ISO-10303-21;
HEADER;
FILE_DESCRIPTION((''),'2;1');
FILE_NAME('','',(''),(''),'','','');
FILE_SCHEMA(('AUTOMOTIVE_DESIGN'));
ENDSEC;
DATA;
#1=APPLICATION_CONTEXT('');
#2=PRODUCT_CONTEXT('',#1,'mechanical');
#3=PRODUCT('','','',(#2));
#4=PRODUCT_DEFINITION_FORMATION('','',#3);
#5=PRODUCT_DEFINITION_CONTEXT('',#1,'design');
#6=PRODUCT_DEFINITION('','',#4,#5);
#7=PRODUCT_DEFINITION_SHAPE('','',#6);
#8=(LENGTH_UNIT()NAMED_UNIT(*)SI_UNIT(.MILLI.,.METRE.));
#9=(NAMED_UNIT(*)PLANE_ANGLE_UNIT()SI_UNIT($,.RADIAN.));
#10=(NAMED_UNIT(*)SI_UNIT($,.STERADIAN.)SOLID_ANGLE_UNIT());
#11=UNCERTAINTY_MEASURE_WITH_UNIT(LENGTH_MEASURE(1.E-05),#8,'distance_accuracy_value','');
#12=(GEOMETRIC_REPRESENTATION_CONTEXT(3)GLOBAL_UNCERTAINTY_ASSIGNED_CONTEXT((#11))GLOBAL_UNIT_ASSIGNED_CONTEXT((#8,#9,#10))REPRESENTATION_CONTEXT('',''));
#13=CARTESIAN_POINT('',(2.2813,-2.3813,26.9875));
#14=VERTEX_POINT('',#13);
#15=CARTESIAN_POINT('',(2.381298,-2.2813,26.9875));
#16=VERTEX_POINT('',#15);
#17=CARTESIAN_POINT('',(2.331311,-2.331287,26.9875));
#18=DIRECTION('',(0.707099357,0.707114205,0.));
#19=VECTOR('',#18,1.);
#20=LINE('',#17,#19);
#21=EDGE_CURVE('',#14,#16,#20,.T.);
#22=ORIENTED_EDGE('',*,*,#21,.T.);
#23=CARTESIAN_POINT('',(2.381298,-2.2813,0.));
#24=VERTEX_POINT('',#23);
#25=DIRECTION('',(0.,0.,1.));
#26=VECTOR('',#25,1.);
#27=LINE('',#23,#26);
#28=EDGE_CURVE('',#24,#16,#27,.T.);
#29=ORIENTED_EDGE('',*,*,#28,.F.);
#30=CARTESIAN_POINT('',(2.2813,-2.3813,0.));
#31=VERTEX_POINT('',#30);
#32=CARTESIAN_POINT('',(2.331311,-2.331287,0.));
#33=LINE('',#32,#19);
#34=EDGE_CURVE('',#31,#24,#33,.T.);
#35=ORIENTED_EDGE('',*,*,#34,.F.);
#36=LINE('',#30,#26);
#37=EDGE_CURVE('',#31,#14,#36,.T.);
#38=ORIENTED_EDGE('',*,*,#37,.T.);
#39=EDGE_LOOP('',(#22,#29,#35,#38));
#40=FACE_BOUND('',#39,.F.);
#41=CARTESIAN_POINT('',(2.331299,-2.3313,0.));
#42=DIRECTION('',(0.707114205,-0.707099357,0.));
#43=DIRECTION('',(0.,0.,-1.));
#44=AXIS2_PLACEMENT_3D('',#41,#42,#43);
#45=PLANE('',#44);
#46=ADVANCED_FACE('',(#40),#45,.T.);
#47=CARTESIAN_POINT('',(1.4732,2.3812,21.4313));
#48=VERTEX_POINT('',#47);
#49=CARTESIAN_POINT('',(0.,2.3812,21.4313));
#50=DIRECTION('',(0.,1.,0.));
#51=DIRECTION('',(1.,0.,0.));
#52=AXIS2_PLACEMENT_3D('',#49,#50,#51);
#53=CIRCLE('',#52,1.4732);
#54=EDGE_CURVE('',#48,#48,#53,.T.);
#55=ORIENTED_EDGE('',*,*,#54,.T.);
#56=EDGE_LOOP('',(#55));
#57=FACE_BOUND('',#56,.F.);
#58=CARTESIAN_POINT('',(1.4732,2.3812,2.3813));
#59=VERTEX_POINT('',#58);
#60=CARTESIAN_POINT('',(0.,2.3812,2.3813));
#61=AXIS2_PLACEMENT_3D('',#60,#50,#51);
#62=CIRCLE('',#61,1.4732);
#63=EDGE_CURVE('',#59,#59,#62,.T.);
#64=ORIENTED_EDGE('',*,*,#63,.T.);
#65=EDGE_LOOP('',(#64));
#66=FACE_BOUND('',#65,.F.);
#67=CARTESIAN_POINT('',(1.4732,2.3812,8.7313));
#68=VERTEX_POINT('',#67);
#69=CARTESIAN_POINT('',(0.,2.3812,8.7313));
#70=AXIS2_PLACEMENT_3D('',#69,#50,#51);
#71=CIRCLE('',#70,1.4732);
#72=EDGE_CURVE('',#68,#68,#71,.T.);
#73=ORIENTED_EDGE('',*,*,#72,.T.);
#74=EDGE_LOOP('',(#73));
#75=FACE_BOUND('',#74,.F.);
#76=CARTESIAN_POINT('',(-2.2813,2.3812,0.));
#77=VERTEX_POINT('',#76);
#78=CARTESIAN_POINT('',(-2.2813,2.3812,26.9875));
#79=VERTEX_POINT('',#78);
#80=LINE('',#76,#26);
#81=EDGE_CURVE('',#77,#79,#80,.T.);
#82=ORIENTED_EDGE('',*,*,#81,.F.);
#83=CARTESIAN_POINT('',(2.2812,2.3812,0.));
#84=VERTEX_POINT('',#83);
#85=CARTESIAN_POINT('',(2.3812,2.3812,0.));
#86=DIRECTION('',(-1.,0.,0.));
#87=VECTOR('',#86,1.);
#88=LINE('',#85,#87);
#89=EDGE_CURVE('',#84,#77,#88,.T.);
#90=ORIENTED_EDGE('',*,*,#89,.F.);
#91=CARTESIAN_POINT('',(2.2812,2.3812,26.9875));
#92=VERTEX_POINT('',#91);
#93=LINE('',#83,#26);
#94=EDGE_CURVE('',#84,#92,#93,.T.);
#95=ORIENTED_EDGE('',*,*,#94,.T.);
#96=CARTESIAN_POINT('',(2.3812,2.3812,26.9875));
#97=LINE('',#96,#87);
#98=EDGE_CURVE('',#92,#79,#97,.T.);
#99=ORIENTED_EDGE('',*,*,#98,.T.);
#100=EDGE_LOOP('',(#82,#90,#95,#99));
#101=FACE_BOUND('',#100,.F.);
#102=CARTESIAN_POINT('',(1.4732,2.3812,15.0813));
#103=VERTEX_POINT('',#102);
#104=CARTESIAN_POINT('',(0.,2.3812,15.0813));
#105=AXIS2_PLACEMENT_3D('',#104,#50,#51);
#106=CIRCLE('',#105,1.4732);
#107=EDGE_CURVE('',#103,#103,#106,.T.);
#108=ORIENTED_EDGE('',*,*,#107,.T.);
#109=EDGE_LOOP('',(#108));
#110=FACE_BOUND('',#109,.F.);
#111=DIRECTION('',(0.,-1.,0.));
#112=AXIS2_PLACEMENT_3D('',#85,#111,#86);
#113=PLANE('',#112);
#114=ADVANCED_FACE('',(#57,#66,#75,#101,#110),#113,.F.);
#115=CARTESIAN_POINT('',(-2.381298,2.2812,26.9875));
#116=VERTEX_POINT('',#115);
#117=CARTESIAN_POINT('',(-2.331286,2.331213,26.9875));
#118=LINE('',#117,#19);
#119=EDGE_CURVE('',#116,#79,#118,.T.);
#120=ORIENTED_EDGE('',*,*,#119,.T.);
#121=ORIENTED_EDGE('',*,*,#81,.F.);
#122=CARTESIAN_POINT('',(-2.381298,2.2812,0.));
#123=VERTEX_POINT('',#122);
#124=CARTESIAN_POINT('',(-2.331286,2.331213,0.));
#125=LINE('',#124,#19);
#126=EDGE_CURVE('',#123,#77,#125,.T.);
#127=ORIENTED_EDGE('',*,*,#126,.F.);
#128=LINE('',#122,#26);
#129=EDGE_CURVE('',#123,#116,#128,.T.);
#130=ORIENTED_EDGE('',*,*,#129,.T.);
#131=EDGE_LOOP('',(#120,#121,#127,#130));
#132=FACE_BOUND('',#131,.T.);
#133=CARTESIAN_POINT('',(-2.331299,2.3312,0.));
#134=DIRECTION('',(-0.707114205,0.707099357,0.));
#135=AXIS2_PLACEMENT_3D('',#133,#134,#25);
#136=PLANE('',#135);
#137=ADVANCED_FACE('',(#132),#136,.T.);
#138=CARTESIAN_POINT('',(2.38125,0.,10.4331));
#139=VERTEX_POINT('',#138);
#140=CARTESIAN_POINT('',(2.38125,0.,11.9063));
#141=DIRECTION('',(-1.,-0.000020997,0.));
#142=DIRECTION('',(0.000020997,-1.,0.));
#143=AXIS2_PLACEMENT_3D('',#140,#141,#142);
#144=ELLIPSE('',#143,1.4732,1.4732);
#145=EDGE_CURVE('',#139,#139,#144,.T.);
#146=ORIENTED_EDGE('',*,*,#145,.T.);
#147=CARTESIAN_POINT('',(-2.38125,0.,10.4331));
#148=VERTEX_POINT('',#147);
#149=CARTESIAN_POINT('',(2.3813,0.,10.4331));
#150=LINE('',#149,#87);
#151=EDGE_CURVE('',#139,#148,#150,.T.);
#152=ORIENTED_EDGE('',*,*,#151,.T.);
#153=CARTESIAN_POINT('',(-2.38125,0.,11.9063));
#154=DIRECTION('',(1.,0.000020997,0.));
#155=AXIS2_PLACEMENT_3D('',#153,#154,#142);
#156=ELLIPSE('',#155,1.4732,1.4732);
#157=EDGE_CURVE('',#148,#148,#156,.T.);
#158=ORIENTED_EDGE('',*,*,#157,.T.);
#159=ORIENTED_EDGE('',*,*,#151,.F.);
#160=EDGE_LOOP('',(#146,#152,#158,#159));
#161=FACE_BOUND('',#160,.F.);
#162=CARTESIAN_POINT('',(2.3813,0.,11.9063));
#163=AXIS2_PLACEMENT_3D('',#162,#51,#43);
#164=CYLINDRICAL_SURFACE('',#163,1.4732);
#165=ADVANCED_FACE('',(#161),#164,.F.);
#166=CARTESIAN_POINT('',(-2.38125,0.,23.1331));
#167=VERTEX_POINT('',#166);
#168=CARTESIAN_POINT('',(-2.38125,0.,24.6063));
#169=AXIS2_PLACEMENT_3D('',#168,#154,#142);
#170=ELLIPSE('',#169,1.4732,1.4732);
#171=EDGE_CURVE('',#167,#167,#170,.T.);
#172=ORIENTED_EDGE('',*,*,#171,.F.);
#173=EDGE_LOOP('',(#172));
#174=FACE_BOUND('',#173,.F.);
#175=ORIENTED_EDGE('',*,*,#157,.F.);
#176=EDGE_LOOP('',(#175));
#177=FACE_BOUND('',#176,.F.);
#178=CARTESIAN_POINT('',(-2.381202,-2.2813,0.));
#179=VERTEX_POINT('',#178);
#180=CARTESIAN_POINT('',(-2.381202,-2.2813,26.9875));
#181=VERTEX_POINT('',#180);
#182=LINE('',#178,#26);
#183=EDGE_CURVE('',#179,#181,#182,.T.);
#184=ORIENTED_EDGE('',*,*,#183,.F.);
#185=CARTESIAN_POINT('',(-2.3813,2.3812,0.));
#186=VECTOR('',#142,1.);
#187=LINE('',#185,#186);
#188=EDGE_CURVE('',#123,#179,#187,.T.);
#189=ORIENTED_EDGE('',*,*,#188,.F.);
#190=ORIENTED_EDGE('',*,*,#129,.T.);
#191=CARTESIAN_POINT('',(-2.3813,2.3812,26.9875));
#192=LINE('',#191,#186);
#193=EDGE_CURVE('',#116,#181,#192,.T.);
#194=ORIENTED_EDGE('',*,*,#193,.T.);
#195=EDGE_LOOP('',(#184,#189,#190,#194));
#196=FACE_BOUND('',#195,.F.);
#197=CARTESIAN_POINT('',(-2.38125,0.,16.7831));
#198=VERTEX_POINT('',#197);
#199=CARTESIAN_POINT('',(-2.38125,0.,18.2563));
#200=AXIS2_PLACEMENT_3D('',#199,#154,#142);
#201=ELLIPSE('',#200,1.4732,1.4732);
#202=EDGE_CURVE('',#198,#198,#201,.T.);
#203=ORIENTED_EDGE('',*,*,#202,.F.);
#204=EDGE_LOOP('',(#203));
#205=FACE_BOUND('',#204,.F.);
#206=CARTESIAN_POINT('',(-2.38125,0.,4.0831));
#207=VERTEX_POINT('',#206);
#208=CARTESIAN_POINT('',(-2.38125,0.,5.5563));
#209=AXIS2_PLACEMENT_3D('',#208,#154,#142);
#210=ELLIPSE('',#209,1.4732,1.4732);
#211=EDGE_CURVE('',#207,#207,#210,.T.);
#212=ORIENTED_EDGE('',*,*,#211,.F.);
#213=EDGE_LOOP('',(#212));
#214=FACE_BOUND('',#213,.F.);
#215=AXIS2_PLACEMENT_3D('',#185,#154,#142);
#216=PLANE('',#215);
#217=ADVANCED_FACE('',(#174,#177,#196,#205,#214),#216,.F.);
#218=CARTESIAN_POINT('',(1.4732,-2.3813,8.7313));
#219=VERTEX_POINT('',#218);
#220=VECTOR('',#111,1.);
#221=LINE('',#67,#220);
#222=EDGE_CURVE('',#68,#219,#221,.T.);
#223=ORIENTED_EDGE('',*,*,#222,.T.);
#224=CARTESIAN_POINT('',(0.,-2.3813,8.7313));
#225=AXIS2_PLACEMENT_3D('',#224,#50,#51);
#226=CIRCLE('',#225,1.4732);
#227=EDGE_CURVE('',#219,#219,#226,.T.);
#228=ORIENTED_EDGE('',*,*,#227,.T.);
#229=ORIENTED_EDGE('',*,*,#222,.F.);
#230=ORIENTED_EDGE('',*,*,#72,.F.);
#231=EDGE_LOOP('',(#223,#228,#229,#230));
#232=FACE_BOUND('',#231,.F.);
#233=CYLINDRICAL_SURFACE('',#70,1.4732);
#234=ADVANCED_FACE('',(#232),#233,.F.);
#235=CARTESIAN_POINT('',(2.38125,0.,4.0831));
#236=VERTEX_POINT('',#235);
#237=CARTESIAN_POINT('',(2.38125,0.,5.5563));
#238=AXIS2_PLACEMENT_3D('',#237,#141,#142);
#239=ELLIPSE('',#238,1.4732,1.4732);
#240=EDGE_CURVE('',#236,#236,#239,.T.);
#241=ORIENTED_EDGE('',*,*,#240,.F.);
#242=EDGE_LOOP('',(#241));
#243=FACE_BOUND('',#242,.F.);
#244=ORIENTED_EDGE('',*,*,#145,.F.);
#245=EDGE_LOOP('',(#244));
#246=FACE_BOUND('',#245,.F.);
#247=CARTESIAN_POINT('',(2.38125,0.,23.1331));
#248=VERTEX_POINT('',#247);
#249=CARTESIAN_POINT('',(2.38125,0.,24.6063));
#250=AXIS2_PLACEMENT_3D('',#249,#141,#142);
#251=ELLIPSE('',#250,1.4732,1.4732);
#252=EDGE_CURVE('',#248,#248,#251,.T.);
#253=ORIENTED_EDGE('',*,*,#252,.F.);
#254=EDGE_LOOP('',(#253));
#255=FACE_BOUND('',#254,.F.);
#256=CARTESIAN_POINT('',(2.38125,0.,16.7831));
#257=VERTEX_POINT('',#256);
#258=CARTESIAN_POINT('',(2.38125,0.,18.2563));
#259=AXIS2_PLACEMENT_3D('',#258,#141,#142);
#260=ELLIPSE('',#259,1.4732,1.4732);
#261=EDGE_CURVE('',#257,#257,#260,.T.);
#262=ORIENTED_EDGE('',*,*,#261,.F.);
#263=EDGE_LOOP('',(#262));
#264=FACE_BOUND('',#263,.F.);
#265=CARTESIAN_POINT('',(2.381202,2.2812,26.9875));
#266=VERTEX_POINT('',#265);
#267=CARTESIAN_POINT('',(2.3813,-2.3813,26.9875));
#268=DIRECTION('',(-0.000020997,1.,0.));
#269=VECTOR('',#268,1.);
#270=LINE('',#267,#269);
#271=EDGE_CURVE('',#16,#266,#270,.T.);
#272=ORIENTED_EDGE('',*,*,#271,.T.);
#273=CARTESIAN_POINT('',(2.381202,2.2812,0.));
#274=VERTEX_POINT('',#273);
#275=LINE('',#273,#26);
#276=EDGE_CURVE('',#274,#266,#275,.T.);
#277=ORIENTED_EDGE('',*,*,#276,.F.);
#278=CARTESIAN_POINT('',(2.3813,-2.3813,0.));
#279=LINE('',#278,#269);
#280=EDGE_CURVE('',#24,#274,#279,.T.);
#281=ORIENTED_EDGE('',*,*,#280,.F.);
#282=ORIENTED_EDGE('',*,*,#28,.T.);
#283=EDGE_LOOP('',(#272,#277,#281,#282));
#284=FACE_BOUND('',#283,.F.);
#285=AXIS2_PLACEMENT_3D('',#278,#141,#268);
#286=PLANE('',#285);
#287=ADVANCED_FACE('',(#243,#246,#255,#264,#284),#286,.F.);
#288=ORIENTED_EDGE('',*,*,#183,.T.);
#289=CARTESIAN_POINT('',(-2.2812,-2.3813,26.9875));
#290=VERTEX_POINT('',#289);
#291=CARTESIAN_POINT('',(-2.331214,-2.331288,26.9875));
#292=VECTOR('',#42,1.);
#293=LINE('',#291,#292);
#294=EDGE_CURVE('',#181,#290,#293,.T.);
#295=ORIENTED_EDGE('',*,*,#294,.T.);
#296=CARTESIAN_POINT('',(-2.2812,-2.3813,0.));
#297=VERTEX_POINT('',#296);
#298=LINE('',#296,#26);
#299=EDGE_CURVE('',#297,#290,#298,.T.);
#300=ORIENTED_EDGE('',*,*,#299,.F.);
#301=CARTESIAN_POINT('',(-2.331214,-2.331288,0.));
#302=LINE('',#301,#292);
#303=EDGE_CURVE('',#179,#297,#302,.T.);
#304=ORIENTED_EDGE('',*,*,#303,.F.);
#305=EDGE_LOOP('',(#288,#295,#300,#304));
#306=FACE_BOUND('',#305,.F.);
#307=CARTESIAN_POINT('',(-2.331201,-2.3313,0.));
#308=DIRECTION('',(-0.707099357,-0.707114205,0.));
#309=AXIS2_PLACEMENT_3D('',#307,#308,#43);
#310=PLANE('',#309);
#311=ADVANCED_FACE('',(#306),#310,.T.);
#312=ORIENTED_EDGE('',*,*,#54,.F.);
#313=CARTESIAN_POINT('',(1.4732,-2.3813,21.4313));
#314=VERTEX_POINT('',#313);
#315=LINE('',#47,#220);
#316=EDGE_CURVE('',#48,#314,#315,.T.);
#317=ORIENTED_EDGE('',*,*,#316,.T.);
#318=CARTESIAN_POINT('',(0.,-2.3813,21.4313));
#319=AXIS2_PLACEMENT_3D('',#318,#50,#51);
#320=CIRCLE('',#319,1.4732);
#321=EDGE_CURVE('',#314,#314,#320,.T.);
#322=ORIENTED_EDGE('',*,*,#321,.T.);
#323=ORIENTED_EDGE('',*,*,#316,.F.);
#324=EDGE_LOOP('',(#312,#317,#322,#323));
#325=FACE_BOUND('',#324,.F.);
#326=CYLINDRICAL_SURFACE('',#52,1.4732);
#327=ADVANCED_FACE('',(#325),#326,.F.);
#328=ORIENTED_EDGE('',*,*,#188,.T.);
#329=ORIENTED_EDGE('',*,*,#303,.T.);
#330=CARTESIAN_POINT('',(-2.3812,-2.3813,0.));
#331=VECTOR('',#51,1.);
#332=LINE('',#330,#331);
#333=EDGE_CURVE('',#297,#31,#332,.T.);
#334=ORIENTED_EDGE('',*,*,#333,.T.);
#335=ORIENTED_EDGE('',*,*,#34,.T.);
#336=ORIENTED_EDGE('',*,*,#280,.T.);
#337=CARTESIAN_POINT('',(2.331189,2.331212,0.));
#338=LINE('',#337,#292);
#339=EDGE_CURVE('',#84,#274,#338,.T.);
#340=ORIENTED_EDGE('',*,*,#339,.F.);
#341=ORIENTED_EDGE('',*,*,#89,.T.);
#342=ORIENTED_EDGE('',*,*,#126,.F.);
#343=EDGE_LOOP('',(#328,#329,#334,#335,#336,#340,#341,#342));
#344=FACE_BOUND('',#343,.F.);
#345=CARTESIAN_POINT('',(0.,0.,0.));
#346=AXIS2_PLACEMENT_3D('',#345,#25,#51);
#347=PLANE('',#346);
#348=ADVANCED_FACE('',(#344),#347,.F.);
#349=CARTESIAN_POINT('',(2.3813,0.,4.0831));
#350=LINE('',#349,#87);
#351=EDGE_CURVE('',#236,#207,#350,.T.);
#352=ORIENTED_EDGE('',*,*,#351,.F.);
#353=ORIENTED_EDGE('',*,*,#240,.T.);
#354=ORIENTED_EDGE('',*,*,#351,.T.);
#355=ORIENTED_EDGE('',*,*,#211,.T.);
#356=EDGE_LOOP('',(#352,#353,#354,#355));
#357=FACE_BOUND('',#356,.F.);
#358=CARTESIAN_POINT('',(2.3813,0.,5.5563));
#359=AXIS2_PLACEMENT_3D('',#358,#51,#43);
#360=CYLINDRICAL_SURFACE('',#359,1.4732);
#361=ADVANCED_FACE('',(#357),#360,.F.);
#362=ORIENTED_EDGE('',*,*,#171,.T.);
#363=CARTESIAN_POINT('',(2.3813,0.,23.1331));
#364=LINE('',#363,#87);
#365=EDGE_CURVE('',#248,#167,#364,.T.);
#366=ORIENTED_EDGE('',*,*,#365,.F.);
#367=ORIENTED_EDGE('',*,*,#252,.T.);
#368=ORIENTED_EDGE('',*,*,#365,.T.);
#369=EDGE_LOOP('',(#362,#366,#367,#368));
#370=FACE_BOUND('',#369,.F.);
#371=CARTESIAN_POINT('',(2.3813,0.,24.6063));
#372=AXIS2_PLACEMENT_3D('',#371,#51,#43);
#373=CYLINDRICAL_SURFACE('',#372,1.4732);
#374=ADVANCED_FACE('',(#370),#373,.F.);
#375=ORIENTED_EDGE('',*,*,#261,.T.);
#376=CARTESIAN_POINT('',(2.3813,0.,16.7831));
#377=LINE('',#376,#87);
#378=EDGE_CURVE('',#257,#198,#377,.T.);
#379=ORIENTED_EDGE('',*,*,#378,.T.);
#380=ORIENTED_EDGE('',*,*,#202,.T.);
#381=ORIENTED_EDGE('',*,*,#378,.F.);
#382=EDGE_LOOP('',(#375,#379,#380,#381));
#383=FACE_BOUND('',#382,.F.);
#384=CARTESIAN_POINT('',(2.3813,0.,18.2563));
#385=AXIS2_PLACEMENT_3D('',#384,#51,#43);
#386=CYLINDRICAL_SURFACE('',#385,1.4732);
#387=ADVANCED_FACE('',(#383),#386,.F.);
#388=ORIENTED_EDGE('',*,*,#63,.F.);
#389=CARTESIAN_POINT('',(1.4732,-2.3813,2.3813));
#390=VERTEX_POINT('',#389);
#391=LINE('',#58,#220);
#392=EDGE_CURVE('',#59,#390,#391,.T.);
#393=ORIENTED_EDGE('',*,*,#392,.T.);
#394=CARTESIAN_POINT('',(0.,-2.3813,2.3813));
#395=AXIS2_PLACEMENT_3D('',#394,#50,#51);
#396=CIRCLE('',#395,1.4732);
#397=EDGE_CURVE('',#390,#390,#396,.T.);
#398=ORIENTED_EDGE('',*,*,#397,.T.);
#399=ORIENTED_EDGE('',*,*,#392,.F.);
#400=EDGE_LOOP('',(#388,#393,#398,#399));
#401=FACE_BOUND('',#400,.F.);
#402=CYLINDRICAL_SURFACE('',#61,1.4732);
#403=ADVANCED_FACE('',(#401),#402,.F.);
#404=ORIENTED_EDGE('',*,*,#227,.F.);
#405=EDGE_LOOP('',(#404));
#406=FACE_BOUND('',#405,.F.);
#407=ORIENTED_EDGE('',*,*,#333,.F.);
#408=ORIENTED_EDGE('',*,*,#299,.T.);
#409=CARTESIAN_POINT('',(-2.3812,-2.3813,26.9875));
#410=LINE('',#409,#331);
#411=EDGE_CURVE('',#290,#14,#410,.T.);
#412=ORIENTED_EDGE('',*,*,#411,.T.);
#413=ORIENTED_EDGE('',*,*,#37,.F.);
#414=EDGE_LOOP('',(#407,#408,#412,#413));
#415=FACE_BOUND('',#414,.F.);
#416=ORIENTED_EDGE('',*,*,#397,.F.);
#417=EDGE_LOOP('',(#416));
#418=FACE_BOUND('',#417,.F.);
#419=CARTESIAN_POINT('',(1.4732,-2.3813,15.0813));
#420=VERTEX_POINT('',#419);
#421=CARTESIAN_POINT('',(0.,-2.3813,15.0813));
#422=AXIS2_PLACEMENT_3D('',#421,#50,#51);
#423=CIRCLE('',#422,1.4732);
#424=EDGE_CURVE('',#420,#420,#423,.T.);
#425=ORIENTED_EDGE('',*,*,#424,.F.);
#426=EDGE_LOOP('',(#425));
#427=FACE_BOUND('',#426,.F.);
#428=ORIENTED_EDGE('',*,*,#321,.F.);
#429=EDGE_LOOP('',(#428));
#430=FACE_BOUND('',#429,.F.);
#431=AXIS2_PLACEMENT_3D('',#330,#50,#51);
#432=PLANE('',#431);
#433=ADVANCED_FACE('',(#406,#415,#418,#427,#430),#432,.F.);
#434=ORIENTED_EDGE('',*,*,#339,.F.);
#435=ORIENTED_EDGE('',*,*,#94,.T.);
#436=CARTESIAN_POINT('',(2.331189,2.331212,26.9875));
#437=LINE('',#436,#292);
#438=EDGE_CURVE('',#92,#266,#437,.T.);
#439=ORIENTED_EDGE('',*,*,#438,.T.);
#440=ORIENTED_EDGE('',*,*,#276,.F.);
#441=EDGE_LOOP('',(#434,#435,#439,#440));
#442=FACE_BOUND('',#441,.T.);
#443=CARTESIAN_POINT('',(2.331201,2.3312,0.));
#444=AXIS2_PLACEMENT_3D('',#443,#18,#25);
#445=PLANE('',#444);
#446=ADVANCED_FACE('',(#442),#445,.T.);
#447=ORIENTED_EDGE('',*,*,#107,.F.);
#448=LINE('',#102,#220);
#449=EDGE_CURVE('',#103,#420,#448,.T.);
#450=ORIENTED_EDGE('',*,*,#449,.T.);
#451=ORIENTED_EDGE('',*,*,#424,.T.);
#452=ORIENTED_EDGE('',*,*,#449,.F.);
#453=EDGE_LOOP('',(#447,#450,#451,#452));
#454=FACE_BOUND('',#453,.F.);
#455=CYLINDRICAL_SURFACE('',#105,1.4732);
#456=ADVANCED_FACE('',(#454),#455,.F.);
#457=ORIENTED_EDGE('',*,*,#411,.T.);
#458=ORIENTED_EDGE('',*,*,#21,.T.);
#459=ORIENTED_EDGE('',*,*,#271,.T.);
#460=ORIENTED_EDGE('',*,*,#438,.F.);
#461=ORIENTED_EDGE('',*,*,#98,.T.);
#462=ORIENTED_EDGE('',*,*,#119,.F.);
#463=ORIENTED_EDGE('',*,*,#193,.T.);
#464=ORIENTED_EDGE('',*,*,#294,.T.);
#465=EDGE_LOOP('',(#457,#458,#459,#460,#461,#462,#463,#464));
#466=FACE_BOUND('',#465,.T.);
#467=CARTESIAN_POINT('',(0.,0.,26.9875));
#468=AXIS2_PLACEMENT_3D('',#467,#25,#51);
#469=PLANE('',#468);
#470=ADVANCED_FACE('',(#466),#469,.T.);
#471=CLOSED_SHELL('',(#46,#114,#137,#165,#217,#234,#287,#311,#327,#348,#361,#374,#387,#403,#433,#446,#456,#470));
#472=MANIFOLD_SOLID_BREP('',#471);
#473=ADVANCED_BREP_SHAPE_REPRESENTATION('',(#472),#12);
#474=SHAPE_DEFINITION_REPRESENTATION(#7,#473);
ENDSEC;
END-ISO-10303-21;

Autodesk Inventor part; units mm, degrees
ref_plane "YZ Plane" through (0, 0, 0) normal (1, 0, 0) x (0, 1, 0)
ref_plane "XZ Plane" through (0, 0, 0) normal (0, 1, 0) x (-1, 0, 0)
ref_plane "XY Plane" through (0, 0, 0) normal (0, 0, 1) x (1, 0, 0)
sketch "Sketch1" plane through (0, 0, 0) normal (0, 0, 1) x (1, 0, 0)
  line L0 (-2.3812, -2.3813) -> (2.3813, -2.3813)
  line L1 (2.3813, -2.3813) -> (2.3812, 2.3812)
  line L2 (2.3812, 2.3812) -> (-2.3813, 2.3812)
  line L3 (-2.3813, 2.3812) -> (-2.3812, -2.3813)
  line L4 (-2.3812, -2.3813) -> (2.3812, 2.3812) construction
  line L5 (2.3813, -2.3813) -> (-2.3813, 2.3812) construction
  point P0 (0, 0)
  dimension "d0" = 4.7625
  dimension "d1" = 4.7625
extrude "Extrusion1" add sketch "Sketch1" along normal blind 26.9875
sketch "Sketch2" plane through (-2.3813, 2.3812, 0) normal (0, 1, 0) x (1, 0, 0)
  line L0 (2.3813, 0) -> (2.3813, -26.9875) construction
  line L1 (4.7625, -26.9875) -> (0, -26.9875) projected
  circle A0 centre (2.3813, -2.3813) radius 1.4732
  circle A1 centre (2.3813, -8.7313) radius 1.4732
  circle A2 centre (2.3813, -15.0813) radius 1.4732
  circle A3 centre (2.3813, -21.4313) radius 1.4732
  circle A4 centre (2.3813, -26.1938) radius 1.4493 construction
  line L2 (4.7625, 0) -> (0, 0) projected
  dimension "d4" = 2.9464
  dimension "d7" = 6.35
  dimension "d12" = 4.7625
  dimension "d13" = 2.3813
extrude "Extrusion2" cut sketch "Sketch2" against normal through all
sketch "Sketch3" plane through (2.3813, -2.3813, 0) normal (1, 0, 0) x (0, 0, -1)
  line L0 (0, 2.3813) -> (-26.9875, 2.3813) construction
  line L1 (-26.9875, 0) -> (-26.9875, 4.7625) projected
  circle A0 centre (-24.6063, 2.3813) radius 1.4732
  circle A1 centre (-18.2563, 2.3813) radius 1.4732
  circle A2 centre (-11.9063, 2.3813) radius 1.4732
  circle A3 centre (-5.5563, 2.3813) radius 1.4732
  dimension "d16" = 2.9464
  dimension "d17" = 2.3813
  dimension "d20" = 6.35
extrude "Extrusion3" cut sketch "Sketch3" against normal through all
chamfer "Chamfer1" distance 0.1 angle 45 4 edges at (-2.3813, 2.3812, 13.4938) (2.3812, 2.3812, 13.4938) (2.3813, -2.3813, 13.4938) (-2.3812, -2.3813, 13.4938)
equation "\"d1\" = d0"
properties part number "Nut Strip" material "Aluminum 6061"
